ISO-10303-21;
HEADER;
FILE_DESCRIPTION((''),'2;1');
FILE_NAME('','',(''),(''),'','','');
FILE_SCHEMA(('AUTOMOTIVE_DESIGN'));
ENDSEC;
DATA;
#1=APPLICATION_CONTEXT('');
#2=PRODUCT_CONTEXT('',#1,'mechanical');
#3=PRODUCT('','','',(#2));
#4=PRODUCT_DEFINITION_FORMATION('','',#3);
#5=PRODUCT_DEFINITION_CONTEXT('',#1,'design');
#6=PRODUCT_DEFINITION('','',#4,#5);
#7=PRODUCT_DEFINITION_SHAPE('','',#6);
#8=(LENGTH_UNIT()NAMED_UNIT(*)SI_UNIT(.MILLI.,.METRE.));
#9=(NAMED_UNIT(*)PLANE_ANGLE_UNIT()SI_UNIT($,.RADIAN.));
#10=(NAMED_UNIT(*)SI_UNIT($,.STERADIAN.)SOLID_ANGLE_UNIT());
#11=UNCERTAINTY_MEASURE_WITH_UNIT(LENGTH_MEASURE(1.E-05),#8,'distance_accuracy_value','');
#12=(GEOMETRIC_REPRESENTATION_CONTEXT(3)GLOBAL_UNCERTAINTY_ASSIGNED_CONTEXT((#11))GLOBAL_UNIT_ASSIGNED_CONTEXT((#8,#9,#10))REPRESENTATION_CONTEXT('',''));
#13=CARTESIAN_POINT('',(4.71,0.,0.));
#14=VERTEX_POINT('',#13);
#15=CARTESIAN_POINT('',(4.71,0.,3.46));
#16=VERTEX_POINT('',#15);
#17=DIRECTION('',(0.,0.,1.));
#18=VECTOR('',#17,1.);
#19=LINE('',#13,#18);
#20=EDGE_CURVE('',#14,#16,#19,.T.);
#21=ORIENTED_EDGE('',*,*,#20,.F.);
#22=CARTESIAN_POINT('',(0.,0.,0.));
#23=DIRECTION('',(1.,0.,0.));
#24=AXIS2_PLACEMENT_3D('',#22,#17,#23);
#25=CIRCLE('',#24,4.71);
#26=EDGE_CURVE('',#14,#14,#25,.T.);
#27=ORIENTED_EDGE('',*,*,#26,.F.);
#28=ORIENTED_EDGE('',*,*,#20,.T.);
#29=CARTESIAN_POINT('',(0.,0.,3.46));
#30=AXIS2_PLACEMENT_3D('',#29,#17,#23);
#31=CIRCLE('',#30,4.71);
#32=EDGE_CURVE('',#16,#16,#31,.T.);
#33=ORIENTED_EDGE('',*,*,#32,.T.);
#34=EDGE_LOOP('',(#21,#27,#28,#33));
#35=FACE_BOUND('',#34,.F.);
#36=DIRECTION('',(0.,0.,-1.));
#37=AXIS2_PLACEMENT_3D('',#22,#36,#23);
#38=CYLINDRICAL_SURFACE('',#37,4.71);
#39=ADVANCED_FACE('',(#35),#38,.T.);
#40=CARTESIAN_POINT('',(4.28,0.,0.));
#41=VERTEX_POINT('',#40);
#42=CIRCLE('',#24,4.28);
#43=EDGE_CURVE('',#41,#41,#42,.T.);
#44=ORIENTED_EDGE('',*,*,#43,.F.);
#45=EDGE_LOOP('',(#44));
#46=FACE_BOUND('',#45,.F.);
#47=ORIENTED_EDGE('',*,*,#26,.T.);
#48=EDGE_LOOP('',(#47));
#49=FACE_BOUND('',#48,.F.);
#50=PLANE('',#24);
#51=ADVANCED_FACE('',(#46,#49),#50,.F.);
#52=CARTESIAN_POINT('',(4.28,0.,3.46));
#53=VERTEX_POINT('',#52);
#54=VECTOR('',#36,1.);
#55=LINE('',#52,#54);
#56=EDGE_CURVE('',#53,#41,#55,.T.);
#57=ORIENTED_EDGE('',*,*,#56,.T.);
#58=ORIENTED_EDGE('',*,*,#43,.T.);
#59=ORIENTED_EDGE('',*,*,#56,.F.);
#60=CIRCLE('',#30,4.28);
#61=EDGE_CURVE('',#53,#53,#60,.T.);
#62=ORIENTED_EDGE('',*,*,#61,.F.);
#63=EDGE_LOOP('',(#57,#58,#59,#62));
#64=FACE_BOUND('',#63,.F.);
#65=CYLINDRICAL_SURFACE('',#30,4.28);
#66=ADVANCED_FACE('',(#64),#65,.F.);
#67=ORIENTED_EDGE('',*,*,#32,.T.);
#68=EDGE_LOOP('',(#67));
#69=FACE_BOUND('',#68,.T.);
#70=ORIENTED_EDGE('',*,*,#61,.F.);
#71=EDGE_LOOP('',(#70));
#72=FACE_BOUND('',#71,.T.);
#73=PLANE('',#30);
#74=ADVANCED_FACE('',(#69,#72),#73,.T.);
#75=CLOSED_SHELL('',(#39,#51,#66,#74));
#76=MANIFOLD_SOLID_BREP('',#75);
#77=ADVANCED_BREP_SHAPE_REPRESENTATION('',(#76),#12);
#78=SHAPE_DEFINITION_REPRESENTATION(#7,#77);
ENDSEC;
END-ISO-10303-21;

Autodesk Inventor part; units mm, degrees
ref_plane "YZ Plane" through (0, 0, 0) normal (1, 0, 0) x (0, 1, 0)
ref_plane "XZ Plane" through (0, 0, 0) normal (0, 1, 0) x (-1, 0, 0)
ref_plane "XY Plane" through (0, 0, 0) normal (0, 0, 1) x (1, 0, 0)
sketch "Sketch1" plane through (0, 0, 0) normal (0, 0, 1) x (1, 0, 0)
  circle A0 centre (0, 0) radius 4.71
  dimension "d0" = 9.42
extrude "Extrusion1" add sketch "Sketch1" along normal blind 3.46
sketch "Sketch2" plane through (0, 0, 3.46) normal (0, 0, 1) x (1, 0, 0)
  circle A0 centre (0, 0) radius 4.28
  dimension "d3" = 8.56
extrude "Extrusion2" cut sketch "Sketch2" against normal through all
properties part number "MIRROR_F_2"
